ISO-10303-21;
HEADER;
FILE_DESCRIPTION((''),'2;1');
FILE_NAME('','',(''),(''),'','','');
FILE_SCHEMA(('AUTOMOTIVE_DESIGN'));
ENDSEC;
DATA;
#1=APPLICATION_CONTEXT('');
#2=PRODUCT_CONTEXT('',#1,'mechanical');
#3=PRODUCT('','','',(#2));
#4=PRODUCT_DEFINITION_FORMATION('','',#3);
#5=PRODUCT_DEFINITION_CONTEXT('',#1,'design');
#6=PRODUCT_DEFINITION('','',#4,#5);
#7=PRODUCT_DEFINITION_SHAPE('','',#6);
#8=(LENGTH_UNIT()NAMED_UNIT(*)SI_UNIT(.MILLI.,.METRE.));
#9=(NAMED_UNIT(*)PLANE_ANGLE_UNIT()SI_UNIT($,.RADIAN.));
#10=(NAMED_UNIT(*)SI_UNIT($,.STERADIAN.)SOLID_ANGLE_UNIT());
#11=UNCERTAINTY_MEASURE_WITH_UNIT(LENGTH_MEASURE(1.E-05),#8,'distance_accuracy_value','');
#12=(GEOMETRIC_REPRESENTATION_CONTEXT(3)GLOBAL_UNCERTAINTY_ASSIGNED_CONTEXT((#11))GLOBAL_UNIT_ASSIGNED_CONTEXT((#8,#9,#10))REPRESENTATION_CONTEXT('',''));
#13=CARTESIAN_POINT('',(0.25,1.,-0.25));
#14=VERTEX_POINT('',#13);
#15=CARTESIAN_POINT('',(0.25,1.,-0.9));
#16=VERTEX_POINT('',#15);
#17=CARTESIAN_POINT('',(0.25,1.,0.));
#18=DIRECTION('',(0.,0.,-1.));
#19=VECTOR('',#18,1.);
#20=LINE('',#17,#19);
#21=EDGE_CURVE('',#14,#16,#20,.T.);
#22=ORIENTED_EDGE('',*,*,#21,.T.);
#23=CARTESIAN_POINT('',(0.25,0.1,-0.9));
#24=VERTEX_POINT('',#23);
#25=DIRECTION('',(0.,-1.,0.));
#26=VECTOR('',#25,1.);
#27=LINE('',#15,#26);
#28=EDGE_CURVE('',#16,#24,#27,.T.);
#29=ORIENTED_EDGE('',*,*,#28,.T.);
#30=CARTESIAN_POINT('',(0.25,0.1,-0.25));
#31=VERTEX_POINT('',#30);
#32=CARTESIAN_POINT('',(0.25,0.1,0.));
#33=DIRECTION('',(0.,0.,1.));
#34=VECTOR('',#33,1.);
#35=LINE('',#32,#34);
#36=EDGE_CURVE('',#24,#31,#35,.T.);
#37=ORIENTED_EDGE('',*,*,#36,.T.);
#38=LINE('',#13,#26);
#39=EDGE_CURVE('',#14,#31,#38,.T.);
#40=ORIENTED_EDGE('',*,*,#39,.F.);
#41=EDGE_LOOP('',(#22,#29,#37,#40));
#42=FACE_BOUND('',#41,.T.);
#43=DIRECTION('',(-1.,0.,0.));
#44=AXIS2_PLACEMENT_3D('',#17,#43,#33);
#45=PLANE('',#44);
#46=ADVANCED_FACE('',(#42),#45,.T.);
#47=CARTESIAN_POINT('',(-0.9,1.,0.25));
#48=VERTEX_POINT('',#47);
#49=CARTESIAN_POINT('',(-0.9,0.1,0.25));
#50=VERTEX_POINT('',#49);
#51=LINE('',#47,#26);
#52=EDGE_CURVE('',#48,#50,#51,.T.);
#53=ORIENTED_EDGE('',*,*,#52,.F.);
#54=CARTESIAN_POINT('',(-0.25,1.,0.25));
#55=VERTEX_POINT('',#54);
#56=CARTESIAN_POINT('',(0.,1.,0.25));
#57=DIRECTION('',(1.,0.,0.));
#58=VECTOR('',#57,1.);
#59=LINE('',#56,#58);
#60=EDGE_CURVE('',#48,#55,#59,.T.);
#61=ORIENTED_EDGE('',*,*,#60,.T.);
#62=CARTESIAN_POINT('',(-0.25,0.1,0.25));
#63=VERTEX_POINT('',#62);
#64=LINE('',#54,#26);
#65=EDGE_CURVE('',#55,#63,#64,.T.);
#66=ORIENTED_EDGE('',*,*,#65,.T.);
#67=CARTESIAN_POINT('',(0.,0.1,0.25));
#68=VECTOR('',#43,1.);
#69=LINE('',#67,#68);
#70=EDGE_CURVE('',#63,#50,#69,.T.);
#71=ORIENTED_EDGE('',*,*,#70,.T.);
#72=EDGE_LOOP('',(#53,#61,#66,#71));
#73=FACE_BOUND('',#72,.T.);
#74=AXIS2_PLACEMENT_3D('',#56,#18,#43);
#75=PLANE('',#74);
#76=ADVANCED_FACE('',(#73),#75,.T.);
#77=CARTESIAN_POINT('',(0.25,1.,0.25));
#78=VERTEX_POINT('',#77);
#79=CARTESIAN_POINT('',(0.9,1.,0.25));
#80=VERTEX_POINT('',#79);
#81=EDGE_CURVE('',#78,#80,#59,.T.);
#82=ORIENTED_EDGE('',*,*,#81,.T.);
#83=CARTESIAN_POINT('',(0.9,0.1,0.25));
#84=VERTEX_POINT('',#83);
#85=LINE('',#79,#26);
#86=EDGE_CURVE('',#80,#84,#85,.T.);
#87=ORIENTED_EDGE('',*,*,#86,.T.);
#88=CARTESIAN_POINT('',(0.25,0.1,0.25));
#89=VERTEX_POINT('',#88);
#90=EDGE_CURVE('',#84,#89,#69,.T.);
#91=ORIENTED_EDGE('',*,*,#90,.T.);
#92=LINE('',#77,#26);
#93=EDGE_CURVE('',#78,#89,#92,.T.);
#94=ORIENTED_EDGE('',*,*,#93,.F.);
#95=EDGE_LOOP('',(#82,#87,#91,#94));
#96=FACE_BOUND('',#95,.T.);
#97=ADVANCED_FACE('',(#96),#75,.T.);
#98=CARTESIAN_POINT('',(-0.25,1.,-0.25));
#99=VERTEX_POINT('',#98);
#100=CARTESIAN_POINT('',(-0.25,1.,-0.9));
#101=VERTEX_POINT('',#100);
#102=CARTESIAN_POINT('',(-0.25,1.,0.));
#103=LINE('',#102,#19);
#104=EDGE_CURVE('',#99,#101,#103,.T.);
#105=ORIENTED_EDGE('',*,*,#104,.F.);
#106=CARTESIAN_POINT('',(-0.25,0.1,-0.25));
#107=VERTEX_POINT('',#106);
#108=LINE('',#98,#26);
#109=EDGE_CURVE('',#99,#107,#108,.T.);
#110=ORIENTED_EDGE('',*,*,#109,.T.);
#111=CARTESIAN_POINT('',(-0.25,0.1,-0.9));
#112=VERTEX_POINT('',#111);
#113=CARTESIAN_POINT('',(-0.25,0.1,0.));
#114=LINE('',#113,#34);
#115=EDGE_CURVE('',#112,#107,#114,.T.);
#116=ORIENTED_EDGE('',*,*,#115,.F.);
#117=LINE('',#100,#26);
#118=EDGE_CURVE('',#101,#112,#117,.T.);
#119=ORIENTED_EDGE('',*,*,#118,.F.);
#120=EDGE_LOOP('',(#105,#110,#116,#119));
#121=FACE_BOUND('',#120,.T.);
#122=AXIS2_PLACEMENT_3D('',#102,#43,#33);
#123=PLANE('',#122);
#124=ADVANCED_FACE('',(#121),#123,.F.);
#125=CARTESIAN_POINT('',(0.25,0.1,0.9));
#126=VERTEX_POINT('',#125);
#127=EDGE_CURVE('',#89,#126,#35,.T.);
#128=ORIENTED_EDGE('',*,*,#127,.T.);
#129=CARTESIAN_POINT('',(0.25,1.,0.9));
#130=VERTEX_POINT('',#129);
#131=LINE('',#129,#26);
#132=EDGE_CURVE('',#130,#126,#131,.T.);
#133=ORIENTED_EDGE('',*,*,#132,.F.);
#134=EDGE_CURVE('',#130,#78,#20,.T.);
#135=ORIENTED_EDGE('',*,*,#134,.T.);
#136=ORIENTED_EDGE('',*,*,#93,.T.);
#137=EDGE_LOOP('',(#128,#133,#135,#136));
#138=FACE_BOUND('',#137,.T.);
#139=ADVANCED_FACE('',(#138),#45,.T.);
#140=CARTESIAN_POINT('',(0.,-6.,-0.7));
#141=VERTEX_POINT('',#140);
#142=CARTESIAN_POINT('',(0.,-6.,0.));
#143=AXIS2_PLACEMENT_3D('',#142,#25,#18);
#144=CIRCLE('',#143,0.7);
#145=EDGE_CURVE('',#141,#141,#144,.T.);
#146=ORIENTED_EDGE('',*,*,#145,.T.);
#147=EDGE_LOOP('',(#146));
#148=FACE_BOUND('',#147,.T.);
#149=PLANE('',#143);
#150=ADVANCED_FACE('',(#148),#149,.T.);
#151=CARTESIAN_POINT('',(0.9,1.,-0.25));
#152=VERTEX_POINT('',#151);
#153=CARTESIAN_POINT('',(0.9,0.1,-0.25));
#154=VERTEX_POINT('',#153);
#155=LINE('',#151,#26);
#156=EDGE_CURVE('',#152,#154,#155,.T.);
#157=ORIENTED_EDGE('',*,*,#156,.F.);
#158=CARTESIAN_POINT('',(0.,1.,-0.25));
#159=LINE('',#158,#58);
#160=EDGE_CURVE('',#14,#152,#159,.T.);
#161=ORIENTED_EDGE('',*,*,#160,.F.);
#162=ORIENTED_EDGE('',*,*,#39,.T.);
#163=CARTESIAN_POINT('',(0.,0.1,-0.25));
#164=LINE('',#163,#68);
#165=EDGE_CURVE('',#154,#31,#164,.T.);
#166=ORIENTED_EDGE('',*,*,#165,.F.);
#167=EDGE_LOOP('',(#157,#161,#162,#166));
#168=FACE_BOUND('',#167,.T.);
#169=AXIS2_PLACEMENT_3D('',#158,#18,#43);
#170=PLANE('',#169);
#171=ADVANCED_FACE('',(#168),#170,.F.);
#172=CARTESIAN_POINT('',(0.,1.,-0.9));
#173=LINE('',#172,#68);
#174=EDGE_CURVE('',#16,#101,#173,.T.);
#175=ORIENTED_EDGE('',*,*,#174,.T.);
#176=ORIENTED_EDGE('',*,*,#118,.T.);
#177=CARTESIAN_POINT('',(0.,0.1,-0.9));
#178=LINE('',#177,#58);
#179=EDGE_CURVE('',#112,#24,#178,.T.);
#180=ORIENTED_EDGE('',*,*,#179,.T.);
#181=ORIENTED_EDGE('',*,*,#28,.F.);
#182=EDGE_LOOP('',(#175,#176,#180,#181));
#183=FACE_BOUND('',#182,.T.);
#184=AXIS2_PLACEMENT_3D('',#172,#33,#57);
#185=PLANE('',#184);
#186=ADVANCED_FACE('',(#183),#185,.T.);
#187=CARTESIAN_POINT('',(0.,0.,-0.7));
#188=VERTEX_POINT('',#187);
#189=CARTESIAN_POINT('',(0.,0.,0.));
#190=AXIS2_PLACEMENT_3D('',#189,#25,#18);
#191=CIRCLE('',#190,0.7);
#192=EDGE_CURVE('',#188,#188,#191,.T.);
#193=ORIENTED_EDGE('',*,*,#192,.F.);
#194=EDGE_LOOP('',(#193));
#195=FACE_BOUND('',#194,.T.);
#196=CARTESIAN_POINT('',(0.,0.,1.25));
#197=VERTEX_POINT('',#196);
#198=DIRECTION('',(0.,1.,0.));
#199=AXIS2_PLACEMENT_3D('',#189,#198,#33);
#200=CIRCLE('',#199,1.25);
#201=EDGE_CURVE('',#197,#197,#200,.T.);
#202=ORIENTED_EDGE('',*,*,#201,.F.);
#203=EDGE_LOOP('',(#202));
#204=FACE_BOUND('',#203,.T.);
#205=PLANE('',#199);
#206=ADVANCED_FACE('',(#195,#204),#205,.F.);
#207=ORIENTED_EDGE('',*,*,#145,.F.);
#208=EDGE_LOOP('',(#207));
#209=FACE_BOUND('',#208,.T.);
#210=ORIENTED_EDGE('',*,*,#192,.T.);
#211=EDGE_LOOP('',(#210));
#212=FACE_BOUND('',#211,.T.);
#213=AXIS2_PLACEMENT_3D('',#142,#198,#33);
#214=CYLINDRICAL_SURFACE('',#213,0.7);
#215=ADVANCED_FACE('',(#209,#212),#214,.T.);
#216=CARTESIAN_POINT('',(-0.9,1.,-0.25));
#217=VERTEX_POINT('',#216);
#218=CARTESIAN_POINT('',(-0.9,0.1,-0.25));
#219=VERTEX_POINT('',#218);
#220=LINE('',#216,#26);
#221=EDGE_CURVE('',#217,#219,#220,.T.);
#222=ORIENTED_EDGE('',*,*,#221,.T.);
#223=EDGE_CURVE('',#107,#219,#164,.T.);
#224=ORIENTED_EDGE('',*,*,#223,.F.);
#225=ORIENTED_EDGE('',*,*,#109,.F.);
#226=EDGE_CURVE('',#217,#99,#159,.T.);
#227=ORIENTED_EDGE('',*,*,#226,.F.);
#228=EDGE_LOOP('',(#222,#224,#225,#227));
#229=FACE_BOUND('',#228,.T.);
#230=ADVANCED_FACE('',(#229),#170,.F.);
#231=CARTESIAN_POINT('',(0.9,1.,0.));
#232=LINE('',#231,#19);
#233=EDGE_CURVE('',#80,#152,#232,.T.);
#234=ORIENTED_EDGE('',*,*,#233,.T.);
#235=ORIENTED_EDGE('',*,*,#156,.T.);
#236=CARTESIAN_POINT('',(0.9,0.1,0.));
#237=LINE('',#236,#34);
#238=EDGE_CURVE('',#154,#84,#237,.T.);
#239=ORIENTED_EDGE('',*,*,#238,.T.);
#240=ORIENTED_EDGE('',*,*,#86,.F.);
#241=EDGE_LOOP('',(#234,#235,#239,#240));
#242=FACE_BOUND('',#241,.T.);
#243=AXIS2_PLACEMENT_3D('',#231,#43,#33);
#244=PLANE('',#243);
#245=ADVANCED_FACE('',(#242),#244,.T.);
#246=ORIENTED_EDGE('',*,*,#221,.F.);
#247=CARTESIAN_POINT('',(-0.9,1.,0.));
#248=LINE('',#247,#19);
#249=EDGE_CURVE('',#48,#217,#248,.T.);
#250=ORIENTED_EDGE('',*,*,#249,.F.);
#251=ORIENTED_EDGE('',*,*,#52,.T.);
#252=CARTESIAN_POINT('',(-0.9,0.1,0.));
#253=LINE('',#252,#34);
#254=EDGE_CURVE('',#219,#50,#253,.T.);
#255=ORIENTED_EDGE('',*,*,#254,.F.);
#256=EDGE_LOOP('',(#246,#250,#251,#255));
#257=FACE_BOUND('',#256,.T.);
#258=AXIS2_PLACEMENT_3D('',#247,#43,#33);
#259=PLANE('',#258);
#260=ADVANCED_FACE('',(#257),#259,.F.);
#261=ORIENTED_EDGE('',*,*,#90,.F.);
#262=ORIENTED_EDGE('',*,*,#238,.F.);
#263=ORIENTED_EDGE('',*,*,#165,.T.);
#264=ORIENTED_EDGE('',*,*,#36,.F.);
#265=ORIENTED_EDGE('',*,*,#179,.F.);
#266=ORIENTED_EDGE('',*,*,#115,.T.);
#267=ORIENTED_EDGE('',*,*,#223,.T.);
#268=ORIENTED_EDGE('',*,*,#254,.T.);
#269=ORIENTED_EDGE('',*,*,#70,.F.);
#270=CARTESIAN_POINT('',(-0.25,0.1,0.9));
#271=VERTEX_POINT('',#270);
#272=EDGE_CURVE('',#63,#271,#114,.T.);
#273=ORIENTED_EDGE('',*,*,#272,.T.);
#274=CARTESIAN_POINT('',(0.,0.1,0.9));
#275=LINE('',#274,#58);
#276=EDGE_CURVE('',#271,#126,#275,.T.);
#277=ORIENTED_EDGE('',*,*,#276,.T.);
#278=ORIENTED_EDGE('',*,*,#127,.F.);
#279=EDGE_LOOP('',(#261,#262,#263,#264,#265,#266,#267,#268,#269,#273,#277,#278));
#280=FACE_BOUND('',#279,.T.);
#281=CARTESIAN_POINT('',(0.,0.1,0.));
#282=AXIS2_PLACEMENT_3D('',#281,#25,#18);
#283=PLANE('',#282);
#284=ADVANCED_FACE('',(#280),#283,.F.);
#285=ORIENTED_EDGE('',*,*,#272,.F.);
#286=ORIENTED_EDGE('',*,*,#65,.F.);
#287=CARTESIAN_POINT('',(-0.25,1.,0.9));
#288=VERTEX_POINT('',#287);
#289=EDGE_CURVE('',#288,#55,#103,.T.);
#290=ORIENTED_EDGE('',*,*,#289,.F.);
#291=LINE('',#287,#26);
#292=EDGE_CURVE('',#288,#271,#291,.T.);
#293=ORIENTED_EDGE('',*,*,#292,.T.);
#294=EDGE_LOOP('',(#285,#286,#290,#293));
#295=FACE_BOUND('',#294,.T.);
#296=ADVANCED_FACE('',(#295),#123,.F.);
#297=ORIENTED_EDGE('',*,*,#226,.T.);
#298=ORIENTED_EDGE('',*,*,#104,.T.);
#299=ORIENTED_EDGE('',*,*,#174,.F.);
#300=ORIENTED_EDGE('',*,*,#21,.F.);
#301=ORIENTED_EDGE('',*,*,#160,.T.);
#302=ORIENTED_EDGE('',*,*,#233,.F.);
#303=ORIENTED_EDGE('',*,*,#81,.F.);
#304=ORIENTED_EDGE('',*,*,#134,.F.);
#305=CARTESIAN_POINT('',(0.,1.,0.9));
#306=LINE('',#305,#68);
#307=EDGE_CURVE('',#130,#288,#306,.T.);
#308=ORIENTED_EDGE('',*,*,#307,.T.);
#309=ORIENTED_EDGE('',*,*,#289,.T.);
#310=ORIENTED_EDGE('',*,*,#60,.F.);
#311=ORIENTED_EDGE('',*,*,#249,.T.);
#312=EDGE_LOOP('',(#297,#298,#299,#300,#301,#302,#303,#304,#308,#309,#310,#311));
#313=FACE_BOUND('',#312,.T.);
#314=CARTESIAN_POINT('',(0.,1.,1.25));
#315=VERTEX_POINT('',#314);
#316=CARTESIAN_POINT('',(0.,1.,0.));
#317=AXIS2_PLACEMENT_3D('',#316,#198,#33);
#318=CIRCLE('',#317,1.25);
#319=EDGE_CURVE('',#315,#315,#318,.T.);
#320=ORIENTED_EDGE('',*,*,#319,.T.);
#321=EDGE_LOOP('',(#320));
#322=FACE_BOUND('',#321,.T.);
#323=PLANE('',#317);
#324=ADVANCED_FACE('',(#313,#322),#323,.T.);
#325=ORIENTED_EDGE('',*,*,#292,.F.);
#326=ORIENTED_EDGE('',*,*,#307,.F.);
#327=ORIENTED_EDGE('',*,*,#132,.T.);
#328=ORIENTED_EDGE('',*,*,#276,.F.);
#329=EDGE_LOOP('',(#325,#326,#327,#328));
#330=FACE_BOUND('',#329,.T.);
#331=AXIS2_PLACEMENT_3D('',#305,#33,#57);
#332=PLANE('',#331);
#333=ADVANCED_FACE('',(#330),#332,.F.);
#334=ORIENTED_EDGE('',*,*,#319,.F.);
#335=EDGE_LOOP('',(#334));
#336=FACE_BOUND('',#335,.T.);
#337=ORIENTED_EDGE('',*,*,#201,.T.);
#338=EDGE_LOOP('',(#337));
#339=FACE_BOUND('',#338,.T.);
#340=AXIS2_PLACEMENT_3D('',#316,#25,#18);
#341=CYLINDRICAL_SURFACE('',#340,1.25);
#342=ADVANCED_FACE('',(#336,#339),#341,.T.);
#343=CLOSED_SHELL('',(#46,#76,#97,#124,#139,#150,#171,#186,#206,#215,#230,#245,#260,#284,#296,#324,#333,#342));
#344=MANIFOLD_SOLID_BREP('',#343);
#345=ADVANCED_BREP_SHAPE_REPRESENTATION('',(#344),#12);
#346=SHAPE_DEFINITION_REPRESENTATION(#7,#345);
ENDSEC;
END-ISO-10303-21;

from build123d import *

# Parameters (mm, degrees)
SKETCH1_R           = 1.25
BOSS_EXTRUDE1_DEPTH = 1
SKETCH2_R           = 1.25
BOSS_EXTRUDE2_DEPTH = 0.1
SKETCH3_R           = 0.7
BOSS_EXTRUDE3_DEPTH = 6


with BuildPart() as part:
    # Sketch1 → Boss-Extrude1 (new body)
    with BuildSketch(Plane(origin=(0, 0, 0), x_dir=(1, 0, 0), z_dir=(0, 1, 0))):
        with Locations(Location((0, 0, 0), (0, 0, 270))):
            Circle(SKETCH1_R)
        Polygon((-0.25, -0.25), (-0.9, -0.25), (-0.9, 0.25), (-0.25, 0.25), (-0.25, 0.9), (0.25, 0.9), (0.25, 0.25), (0.9, 0.25), (0.9, -0.25), (0.25, -0.25), (0.25, -0.9), (-0.25, -0.9), align=None, mode=Mode.SUBTRACT)
    extrude(amount=BOSS_EXTRUDE1_DEPTH)

    # Sketch2 → Boss-Extrude2 (add)
    with BuildSketch(Plane.XZ):
        with Locations(Location((0, 0, 0), (0, 0, 90))):
            Circle(SKETCH2_R)
    extrude(amount=-BOSS_EXTRUDE2_DEPTH)

    # Sketch3 → Boss-Extrude3 (add)
    with BuildSketch(Plane.XZ):
        with Locations(Location((0, 0, 0), (0, 0, 270))):
            Circle(SKETCH3_R)
    extrude(amount=BOSS_EXTRUDE3_DEPTH)


solid = part.part
